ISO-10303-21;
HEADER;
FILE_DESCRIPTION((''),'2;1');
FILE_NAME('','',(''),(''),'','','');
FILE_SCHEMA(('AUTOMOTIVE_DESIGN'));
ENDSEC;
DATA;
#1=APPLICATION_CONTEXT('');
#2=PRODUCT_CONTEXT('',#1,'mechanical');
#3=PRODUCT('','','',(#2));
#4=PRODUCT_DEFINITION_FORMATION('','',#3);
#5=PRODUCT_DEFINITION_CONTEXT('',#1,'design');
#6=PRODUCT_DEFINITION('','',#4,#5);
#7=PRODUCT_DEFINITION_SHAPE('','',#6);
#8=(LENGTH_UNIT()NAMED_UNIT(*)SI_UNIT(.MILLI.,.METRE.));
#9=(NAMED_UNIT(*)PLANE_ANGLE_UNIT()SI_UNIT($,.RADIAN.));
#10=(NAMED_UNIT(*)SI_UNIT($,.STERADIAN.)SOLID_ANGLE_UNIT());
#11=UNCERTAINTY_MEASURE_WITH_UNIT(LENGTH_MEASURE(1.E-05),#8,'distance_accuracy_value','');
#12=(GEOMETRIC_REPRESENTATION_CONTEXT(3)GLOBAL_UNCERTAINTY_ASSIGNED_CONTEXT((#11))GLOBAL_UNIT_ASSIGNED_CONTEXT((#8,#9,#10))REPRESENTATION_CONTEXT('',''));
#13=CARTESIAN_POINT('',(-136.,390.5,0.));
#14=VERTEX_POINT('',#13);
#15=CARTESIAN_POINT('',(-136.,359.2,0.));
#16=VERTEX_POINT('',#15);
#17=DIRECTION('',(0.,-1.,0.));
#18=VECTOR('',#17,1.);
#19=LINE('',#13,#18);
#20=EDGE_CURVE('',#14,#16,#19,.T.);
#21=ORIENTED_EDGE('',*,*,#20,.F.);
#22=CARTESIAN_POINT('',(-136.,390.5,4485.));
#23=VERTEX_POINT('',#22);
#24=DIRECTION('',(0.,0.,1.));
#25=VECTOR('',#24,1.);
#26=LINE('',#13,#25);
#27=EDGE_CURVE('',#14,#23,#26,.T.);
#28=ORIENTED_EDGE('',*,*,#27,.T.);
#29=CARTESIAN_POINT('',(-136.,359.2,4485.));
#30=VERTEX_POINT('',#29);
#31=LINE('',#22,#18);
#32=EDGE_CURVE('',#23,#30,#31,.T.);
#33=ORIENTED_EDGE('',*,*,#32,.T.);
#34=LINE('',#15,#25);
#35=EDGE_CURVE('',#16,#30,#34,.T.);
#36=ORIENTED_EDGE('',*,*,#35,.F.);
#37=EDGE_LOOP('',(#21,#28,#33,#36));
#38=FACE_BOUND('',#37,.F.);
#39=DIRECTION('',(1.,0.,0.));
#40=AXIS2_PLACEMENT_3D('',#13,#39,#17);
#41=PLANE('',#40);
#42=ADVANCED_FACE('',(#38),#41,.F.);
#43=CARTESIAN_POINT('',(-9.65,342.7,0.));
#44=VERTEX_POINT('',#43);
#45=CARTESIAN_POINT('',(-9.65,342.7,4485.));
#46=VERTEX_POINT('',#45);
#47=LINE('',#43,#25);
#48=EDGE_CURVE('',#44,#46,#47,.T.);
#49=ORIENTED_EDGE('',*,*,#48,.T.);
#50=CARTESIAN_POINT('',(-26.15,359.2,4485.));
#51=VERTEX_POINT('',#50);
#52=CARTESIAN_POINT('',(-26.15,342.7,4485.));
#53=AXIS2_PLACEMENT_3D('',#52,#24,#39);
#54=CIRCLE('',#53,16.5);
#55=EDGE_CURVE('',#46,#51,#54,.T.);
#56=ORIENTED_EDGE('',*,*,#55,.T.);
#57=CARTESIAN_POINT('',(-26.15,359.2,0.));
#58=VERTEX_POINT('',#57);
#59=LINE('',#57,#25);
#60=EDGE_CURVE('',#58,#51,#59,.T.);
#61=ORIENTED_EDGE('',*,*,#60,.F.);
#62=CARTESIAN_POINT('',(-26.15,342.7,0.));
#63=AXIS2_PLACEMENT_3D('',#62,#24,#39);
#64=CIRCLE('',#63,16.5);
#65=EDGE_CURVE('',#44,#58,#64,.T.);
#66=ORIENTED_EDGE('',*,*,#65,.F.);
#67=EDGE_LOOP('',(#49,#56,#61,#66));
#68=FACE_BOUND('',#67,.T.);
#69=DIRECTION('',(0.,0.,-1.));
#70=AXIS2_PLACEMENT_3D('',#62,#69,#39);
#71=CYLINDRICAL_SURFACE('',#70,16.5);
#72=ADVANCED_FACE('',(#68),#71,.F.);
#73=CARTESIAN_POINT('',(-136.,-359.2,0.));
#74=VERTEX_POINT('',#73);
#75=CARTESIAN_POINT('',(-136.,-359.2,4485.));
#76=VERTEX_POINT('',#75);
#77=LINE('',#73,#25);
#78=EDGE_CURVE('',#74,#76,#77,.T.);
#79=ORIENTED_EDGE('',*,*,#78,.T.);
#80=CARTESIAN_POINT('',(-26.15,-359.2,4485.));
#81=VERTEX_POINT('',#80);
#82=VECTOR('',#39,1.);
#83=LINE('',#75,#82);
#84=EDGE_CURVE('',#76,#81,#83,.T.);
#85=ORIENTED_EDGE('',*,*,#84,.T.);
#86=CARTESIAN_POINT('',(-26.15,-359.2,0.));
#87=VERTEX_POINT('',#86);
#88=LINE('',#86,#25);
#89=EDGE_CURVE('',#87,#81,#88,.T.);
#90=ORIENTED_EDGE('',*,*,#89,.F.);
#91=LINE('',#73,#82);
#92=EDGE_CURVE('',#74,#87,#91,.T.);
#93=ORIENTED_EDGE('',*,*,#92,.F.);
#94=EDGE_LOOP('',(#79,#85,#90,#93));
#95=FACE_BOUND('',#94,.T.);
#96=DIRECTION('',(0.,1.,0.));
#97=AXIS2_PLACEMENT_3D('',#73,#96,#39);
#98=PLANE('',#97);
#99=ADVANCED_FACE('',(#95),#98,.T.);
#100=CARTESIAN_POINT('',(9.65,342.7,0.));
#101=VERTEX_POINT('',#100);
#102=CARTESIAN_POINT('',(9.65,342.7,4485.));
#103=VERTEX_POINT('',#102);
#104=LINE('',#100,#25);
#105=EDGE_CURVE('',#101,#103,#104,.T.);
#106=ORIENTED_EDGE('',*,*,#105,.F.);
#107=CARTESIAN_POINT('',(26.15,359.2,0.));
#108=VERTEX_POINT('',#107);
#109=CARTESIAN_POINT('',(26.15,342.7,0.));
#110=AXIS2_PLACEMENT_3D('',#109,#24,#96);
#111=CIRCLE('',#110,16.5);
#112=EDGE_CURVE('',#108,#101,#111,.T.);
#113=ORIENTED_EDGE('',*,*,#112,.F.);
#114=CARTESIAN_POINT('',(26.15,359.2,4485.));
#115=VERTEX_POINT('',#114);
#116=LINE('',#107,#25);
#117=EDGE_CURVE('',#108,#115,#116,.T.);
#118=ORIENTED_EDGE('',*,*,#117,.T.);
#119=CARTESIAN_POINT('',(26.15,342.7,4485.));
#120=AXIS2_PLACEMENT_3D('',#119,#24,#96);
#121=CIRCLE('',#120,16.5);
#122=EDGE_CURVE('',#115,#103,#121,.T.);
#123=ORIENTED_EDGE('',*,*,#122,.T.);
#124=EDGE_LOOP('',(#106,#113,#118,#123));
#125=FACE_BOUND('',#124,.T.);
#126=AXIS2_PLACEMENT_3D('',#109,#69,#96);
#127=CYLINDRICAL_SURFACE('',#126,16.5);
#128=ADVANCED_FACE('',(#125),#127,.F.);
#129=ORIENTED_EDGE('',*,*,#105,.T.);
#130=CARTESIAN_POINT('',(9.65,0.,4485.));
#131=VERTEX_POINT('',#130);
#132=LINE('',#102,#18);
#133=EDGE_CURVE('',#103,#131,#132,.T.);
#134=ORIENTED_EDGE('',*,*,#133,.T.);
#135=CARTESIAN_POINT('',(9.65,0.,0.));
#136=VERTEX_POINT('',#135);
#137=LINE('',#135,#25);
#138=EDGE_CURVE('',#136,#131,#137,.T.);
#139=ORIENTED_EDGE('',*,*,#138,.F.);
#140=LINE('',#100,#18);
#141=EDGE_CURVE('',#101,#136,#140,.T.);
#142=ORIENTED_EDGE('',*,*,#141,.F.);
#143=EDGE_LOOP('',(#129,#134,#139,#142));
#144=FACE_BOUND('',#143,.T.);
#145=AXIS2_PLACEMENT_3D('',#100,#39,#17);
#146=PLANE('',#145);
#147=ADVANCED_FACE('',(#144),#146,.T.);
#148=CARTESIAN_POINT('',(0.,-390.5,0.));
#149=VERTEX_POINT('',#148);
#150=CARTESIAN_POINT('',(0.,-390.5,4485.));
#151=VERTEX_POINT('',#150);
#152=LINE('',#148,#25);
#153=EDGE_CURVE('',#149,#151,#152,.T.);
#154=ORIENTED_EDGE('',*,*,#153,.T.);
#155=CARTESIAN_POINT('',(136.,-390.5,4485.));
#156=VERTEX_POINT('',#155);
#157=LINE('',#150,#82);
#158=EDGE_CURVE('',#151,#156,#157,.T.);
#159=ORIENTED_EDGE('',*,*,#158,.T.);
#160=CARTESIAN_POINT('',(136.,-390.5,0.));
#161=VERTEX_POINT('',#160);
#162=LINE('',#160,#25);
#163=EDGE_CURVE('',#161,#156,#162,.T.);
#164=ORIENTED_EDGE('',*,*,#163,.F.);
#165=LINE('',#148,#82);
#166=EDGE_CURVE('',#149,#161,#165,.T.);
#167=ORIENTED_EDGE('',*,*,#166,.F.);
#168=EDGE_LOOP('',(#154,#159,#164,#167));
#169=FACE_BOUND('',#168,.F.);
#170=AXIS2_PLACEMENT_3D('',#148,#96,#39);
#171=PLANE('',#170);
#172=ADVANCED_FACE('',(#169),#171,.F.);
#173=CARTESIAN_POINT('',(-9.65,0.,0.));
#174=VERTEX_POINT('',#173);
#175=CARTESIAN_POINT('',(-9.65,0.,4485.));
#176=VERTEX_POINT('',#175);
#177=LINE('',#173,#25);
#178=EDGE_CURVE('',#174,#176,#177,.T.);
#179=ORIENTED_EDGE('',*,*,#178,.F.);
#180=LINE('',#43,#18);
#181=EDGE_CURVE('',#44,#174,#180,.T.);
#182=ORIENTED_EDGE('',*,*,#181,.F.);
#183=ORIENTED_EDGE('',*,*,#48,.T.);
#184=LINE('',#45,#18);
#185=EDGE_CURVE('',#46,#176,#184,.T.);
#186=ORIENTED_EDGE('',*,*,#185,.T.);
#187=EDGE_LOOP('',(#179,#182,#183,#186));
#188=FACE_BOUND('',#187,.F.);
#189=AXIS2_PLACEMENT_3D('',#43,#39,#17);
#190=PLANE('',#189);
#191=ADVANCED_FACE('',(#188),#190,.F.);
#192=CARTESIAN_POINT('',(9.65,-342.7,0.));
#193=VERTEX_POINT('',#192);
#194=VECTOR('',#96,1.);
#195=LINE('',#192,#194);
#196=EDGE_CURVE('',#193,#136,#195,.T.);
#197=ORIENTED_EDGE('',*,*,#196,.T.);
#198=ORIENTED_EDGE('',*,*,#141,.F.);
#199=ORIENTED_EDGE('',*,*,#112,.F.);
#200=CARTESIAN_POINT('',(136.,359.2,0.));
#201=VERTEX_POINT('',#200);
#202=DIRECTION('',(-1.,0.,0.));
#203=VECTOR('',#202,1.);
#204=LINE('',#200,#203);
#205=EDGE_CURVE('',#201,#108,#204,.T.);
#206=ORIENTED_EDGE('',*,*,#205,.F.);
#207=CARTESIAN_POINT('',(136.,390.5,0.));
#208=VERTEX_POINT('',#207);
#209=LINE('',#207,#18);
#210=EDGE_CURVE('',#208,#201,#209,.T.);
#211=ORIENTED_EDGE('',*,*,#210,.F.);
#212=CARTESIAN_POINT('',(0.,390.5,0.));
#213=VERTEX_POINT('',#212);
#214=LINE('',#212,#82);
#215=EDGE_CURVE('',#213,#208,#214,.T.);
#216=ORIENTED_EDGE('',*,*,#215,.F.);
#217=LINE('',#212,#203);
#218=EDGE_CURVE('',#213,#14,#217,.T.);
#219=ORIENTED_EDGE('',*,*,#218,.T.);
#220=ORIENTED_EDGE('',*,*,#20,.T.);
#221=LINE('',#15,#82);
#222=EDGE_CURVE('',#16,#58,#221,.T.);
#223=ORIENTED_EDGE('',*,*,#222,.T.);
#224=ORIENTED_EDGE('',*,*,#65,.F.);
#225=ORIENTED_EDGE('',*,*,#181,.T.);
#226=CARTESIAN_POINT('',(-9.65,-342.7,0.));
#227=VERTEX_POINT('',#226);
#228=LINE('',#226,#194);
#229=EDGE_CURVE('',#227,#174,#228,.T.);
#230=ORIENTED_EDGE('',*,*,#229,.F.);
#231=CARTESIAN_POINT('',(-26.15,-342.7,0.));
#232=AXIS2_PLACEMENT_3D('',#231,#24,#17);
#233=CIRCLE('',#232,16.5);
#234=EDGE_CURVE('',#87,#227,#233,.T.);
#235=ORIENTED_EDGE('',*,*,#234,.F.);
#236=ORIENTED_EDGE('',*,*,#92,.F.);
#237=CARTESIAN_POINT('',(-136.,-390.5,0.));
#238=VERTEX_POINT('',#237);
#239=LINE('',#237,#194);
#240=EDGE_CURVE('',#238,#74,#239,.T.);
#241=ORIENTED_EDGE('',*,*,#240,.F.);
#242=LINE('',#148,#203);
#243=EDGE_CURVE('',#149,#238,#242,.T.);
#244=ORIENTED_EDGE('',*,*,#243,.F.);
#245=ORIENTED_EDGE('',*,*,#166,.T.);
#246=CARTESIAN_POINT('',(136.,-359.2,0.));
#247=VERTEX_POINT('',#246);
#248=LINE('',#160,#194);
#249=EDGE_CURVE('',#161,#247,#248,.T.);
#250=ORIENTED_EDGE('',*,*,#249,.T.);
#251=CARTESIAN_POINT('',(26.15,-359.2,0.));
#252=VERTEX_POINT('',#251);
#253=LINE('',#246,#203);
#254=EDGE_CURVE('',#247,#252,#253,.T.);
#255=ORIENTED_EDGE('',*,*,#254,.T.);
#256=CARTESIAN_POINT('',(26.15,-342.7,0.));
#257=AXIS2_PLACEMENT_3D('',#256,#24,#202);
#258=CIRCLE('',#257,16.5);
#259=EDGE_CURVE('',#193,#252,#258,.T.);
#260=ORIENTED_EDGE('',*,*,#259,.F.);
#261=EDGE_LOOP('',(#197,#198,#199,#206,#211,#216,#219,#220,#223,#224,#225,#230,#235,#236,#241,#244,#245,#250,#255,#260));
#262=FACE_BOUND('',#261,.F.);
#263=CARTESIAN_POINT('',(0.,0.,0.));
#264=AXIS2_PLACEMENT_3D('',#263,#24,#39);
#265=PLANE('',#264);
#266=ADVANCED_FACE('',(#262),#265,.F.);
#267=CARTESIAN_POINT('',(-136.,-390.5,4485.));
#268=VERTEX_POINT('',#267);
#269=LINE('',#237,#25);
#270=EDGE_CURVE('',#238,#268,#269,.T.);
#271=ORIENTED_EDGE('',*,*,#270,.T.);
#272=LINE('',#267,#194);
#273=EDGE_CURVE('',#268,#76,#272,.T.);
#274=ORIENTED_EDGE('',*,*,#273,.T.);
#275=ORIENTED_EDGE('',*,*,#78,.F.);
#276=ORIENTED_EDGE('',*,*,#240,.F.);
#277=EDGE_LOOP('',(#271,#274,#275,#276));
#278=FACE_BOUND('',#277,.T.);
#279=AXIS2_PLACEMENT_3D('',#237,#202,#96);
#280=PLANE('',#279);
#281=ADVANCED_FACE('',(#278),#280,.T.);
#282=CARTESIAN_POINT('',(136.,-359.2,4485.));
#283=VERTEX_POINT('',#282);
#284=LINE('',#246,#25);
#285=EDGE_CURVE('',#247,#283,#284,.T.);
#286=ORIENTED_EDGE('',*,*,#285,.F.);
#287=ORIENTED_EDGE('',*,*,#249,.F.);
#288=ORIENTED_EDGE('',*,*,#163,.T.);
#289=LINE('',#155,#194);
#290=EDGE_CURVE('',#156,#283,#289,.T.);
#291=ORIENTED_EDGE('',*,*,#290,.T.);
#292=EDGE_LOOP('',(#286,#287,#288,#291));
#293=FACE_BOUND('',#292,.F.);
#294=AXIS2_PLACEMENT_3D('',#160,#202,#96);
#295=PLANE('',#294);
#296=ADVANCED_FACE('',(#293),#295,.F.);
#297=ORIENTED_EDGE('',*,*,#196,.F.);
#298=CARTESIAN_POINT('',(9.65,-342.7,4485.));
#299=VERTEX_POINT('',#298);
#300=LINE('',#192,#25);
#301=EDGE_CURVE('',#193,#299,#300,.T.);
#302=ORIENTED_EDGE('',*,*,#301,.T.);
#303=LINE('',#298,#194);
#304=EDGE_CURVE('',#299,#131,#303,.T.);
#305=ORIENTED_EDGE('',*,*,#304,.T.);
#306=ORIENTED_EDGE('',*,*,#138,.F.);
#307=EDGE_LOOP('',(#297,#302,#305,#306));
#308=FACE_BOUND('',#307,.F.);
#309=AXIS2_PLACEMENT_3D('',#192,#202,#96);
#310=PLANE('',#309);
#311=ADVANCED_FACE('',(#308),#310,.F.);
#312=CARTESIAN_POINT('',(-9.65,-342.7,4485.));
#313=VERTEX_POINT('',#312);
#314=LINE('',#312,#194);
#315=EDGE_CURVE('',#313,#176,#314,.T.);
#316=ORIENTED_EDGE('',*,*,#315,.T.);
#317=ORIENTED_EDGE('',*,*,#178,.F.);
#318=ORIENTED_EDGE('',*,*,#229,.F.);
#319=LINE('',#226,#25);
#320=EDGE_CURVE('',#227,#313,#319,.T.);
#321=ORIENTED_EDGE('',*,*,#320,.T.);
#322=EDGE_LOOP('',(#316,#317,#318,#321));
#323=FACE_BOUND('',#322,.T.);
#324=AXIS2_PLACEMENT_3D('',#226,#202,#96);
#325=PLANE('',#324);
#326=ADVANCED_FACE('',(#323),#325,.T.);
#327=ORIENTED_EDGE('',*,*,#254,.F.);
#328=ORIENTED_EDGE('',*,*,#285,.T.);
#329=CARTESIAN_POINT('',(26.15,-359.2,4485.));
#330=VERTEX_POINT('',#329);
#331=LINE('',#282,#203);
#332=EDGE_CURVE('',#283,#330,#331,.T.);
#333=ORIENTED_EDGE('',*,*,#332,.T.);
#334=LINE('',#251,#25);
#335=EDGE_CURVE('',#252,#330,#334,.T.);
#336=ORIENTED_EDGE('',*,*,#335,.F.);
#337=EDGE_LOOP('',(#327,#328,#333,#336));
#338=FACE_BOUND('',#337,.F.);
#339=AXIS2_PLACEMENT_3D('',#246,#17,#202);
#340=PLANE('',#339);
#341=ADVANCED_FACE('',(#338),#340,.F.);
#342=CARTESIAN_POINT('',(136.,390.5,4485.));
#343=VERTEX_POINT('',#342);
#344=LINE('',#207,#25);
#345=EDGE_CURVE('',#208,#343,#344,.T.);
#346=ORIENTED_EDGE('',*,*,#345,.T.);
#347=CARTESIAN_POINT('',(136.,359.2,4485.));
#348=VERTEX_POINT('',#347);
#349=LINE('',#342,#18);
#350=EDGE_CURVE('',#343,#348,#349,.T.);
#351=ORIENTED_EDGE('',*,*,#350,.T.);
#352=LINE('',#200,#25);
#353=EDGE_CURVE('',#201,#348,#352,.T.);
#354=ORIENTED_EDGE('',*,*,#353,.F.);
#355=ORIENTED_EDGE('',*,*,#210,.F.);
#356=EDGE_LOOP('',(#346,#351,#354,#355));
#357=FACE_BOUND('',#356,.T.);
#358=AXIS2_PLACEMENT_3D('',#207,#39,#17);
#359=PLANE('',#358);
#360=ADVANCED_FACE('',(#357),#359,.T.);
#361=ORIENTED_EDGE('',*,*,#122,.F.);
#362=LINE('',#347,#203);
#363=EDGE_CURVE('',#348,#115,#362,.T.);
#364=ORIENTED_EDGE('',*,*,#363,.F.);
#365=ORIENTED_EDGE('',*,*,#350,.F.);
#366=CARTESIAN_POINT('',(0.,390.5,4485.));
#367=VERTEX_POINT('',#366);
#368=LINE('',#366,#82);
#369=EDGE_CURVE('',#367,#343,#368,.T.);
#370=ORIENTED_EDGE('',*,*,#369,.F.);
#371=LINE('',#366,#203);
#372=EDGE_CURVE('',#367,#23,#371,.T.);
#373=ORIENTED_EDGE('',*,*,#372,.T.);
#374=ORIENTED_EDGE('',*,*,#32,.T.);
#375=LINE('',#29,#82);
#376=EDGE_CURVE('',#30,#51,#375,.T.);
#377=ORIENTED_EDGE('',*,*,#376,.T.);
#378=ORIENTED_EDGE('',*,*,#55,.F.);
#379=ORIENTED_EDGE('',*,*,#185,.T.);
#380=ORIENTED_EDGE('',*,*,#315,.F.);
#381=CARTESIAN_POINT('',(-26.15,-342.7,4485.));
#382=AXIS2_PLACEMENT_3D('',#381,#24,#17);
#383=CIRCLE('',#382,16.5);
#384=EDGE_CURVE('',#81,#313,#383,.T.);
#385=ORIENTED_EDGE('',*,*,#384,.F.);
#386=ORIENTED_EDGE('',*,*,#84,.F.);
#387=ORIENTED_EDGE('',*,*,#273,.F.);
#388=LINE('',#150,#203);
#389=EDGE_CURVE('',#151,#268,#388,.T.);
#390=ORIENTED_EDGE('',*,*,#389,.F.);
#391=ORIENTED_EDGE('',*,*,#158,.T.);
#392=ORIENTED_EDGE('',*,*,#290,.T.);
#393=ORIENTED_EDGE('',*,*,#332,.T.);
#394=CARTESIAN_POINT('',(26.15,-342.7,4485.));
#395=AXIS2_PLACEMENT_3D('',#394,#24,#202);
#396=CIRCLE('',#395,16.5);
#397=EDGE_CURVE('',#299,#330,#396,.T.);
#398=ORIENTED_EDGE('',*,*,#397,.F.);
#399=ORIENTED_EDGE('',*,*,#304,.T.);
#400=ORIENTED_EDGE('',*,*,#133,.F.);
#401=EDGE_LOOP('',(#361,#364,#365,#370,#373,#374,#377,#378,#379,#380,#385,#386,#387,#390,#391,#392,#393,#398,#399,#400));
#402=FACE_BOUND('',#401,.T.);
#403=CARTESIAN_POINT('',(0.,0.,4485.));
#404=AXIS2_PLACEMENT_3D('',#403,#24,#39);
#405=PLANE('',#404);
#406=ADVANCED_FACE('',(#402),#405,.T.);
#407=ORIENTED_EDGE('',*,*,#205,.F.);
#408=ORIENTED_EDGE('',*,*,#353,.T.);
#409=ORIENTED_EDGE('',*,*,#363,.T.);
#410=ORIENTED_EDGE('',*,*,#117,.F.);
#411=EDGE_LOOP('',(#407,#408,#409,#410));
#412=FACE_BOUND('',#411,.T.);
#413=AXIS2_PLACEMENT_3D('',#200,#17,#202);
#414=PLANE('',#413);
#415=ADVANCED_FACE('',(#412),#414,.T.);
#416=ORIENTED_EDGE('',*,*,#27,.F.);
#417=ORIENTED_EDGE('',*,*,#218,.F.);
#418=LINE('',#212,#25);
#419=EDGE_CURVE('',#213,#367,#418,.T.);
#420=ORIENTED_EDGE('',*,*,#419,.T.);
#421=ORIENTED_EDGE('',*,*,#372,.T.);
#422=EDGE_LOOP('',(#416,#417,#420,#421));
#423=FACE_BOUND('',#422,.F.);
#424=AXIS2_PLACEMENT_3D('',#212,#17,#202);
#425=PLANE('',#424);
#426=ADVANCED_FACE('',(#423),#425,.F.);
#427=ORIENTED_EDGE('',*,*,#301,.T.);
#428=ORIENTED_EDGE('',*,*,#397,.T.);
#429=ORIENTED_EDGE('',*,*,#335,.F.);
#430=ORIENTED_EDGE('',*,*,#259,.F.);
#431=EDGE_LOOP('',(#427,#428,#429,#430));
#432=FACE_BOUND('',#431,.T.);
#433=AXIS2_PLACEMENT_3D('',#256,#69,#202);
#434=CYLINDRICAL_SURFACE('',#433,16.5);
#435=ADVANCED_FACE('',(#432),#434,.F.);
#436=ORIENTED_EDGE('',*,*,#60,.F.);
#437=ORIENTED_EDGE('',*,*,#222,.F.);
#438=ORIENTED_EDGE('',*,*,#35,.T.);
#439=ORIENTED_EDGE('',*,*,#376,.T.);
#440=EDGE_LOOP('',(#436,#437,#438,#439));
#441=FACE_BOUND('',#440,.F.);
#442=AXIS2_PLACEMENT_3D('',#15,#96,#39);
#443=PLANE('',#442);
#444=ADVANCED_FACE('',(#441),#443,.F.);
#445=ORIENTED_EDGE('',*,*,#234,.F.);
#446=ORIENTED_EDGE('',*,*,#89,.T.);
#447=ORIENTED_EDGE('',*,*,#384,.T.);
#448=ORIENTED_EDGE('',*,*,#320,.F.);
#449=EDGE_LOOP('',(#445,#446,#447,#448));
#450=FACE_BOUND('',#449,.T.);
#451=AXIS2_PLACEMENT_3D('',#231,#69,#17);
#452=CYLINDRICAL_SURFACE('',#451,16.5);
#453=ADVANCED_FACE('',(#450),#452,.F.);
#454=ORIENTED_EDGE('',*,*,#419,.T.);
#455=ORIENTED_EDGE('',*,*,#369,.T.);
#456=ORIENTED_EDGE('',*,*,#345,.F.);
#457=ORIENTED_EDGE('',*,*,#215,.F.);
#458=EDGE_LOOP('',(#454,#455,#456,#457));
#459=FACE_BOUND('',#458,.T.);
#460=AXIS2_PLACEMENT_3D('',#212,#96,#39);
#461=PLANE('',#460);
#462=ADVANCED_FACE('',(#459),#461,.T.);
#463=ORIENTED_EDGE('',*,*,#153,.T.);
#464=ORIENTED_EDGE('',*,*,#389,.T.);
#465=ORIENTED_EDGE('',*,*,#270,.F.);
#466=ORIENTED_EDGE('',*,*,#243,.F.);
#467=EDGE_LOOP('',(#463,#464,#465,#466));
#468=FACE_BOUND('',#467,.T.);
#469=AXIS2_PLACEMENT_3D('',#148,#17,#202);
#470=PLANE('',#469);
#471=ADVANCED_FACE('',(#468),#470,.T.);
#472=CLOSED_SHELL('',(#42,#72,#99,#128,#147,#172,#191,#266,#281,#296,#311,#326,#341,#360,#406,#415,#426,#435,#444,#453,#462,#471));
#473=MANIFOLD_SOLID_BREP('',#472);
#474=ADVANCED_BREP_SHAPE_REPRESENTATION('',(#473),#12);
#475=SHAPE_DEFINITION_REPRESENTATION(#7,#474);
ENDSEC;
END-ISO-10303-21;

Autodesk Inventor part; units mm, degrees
ref_plane "YZ Plane" through (0, 0, 0) normal (1, 0, 0) x (0, 1, 0)
ref_plane "Start plane" through (0, 0, 0) normal (0, 0, 1) x (1, 0, 0)
ref_plane "End plane" through (0, 0, 4485) normal (0, 0, 1) x (1, 0, 0)
sketch "Sketch" plane through (0, 0, 0) normal (0, 0, 1) x (1, 0, 0)
  line L0 (-136, -390.5) -> (-136, -359.2)
  line L1 (-136, -359.2) -> (-26.15, -359.2)
  line L2 (-9.65, -342.7) -> (-9.65, 0)
  line L3 (-9.65, 0) -> (0, 0) construction
  line L4 (0, 0) -> (0, -390.5) construction
  line L5 (0, -390.5) -> (-136, -390.5)
  line L6 (-60, 0) -> (80, 0) construction
  line L7 (0, -60) -> (0, 80) construction
  line L8 (136, -390.5) -> (136, -359.2)
  line L9 (136, -359.2) -> (26.15, -359.2)
  line L10 (9.65, -342.7) -> (9.65, 0)
  line L11 (9.65, 0) -> (0, 0) construction
  line L12 (0, -390.5) -> (136, -390.5)
  line L13 (-136, 390.5) -> (-136, 359.2)
  line L14 (-136, 359.2) -> (-26.15, 359.2)
  line L15 (-9.65, 342.7) -> (-9.65, 0)
  line L16 (0, 390.5) -> (-136, 390.5)
  line L17 (136, 390.5) -> (136, 359.2)
  line L18 (136, 359.2) -> (26.15, 359.2)
  line L19 (0, 390.5) -> (136, 390.5)
  line L20 (9.65, 342.7) -> (9.65, 0)
  arc A0 (-9.65, 342.7) -> (-26.15, 359.2) centre (-26.15, 342.7) ccw
  arc A1 (26.15, 359.2) -> (9.65, 342.7) centre (26.15, 342.7) ccw
  arc A2 (9.65, -342.7) -> (26.15, -359.2) centre (26.15, -342.7) ccw
  arc A3 (-26.15, -359.2) -> (-9.65, -342.7) centre (-26.15, -342.7) ccw
  line L21 (0, 108) -> (0, -88) construction
  line L22 (-88, 0) -> (108, 0) construction
  point P0 (-9.65, -359.2)
  point P1 (9.65, -359.2)
  point P2 (-9.65, 359.2)
  point P3 (9.65, 359.2)
  dimension "d1" = 390.5
  dimension "d2" = 31.3
  dimension "d3" = 136
  dimension "d4" = 9.65
  dimension "d10" = 16.5
extrude "Body" add sketch "Sketch" along normal up to surface (4485 mm away) from surface at 0
sketch "Sketch4" plane through (0, 0, 0) normal (0, 0, 1) x (1, 0, 0)
  line L0 (0, 0) -> (10, 0)
ref_plane "Work Plane3" through (0, 0, 0) normal (0, -1, 0) x (1, 0, 0)
sketch "Sketch5" plane through (0, 0, 0) normal (0, -1, 0) x (1, 0, 0)
  line L0 (-2, 0) -> (12, 0) projected
  line L1 (-2, 4485) -> (12, 4485) projected
  dimension "d14" = 4485
equation "\"d1\" = 0.5 * G_H"
equation "\"d2\" = G_T1"
equation "\"d3\" = 0.5 * G_W"
equation "\"d4\" = 0.5 * G_T"
equation "\"d10\" = G_IR"
equation "\"d5\" = G_L"
equation "\"G_W\" = 272"
equation "\"G_H\" = 781"
equation "\"G_T\" = 19.3"
equation "\"G_T1\" = 31.3"
equation "\"G_IR\" = 16.5"
equation "\"G_L\" = d14"
equation "\"G_OFFSET_START\" = 0"
equation "\"G_OFFSET_END\" = 0"
equation "\"d12\" = G_OFFSET_END + B_L"
equation "\"B_L\" = 4485"
properties part number "AS 3679-1990 - 760 UB - 244 - 4485" material "Steel, Mild"
